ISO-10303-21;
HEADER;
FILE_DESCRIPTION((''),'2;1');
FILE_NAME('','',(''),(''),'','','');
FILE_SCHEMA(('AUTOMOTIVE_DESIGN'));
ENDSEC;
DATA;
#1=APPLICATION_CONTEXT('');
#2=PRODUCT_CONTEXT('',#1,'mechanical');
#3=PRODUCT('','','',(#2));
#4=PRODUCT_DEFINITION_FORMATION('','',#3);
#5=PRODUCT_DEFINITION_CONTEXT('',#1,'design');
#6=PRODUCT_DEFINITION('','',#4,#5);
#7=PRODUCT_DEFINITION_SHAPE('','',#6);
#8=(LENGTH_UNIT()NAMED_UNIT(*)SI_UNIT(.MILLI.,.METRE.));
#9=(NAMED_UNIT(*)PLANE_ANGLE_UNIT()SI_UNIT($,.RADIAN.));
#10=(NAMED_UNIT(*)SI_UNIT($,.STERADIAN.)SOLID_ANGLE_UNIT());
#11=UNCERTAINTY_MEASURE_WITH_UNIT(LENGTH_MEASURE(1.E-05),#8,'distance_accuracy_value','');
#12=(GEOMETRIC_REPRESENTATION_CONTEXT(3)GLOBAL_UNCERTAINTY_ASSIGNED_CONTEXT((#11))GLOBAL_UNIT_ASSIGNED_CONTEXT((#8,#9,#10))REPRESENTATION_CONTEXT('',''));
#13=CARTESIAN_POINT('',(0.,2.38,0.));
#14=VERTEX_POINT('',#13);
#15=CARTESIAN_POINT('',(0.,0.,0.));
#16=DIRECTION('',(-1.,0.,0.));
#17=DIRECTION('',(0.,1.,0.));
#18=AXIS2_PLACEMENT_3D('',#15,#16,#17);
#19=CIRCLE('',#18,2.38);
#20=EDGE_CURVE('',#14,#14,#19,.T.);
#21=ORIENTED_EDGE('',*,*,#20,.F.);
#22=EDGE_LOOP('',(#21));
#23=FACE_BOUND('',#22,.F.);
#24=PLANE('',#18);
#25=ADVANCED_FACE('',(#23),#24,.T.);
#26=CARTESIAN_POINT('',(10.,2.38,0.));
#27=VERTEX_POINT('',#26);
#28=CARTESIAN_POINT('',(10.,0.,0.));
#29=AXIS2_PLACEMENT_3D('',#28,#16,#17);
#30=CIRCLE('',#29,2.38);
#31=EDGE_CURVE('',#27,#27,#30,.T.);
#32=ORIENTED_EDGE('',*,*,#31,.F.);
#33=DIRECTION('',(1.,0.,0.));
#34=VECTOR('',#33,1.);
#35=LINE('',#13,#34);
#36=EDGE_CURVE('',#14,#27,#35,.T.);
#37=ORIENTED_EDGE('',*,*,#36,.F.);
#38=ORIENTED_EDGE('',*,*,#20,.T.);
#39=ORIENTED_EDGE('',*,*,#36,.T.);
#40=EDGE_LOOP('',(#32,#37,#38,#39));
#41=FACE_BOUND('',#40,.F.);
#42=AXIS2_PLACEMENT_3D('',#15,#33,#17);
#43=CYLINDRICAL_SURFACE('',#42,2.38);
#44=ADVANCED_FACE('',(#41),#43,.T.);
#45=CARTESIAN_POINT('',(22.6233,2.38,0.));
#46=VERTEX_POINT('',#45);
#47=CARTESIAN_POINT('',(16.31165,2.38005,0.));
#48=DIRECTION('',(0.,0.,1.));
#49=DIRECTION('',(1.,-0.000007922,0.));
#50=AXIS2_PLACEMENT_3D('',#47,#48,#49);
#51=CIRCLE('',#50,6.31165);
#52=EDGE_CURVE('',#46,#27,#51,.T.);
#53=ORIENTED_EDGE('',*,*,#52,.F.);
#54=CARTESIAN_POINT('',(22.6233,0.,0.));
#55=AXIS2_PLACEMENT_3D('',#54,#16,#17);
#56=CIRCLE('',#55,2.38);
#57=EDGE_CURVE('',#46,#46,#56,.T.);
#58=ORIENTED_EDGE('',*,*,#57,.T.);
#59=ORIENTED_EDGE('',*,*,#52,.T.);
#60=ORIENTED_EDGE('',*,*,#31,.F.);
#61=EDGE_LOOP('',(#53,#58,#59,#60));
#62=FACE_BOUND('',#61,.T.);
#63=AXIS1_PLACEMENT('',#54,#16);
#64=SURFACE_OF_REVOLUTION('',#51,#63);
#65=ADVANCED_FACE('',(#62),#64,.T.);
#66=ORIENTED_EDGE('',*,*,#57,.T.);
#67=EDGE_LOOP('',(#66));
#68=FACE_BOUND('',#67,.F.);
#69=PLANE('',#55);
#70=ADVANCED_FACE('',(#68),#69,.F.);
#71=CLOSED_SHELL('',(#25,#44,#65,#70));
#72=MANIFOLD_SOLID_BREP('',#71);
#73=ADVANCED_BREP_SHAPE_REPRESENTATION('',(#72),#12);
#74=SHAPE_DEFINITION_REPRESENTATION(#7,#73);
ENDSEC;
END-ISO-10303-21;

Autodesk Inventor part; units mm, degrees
ref_plane "YZ Plane" through (0, 0, 0) normal (1, 0, 0) x (0, 1, 0)
ref_plane "XZ Plane" through (0, 0, 0) normal (0, 1, 0) x (-1, 0, 0)
ref_plane "XY Plane" through (0, 0, 0) normal (0, 0, 1) x (1, 0, 0)
sketch "Sketch1" plane through (0, 0, 0) normal (0, 0, 1) x (1, 0, 0)
  line L0 (0, 2.38) -> (10, 2.38)
  arc A0 (22.6233, 2.38) -> (10, 2.38) centre (16.3116, 2.38) ccw
  line L1 (22.6233, 2.38) -> (22.6233, 0)
  line L2 (22.6233, 0) -> (0, 0)
  line L3 (0, 0) -> (0, 2.38)
  dimension "d0" = 2.38
  dimension "d1" = 10
revolve "Revolution1" add sketch "Sketch1" angle 360 about axis through (22.6233, 0, 0) along (-1, 0, 0)
properties part number "knob"
